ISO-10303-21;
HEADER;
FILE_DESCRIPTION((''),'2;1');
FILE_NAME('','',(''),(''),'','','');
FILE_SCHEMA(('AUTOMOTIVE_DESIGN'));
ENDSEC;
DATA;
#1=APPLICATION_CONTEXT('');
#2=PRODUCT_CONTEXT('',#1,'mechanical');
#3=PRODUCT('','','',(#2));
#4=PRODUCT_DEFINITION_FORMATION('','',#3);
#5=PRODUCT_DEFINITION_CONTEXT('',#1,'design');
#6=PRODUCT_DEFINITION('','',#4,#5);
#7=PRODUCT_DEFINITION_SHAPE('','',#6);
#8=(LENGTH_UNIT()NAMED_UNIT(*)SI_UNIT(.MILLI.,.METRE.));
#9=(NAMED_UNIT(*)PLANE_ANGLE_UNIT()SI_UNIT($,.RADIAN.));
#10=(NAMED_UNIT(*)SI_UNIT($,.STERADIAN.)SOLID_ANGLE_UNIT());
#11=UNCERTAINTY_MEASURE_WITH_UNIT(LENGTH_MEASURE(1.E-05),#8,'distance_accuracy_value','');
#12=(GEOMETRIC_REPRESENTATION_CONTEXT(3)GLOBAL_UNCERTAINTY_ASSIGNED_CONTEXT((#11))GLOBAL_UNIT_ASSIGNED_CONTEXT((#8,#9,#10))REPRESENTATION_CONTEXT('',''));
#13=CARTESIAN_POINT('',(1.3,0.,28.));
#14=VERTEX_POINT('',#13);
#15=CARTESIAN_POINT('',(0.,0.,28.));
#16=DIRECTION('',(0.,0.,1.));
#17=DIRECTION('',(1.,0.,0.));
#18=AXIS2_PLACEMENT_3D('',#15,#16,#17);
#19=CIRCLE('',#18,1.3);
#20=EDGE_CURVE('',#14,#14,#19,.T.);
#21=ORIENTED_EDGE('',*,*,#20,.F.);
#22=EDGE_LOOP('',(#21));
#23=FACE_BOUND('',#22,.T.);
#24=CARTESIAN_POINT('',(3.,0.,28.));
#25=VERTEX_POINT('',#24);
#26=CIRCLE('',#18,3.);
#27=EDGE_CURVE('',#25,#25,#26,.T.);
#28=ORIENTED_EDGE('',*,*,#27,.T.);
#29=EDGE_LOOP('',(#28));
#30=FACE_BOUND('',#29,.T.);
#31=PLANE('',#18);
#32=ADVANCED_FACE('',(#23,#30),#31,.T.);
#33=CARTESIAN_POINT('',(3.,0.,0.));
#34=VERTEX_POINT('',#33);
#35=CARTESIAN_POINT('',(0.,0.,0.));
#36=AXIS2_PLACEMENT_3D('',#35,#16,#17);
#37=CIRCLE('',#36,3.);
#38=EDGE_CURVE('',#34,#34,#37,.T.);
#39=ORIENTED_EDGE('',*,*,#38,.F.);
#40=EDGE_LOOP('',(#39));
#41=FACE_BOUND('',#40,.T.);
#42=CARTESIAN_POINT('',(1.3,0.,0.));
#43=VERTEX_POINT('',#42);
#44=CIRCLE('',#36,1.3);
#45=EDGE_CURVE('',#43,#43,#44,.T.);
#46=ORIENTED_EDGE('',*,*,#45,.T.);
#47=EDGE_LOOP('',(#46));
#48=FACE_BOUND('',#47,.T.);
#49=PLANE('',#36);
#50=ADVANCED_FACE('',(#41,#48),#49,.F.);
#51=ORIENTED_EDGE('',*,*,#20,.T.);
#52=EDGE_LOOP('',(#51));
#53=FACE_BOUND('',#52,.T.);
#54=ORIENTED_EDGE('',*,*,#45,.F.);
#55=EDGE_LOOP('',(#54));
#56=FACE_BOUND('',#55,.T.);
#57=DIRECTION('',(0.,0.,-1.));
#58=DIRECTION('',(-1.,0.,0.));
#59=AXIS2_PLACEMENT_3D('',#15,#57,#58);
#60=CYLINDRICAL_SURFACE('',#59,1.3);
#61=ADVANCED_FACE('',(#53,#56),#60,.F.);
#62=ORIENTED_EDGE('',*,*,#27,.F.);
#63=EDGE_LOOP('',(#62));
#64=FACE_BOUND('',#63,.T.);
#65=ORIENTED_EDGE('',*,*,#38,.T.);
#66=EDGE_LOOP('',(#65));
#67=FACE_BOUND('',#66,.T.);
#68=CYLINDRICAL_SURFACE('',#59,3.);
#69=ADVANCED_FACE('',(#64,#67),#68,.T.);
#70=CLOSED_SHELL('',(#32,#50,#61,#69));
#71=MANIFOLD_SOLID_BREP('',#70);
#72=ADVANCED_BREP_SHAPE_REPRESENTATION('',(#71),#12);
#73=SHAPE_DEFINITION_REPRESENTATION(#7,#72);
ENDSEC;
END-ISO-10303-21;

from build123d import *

# Parameters (mm, degrees)
SPACER_OD6_ID2P6_R   = 3
SPACER_OD6_ID2P6_R_2 = 1.3
REAR_GAP_28MM_DEPTH  = 28


with BuildPart() as part:
    # Spacer_OD6_ID2p6 → Rear_gap_28mm (new body)
    with BuildSketch(Plane.XY):
        Circle(SPACER_OD6_ID2P6_R)
        Circle(SPACER_OD6_ID2P6_R_2, mode=Mode.SUBTRACT)
    extrude(amount=REAR_GAP_28MM_DEPTH)


solid = part.part
